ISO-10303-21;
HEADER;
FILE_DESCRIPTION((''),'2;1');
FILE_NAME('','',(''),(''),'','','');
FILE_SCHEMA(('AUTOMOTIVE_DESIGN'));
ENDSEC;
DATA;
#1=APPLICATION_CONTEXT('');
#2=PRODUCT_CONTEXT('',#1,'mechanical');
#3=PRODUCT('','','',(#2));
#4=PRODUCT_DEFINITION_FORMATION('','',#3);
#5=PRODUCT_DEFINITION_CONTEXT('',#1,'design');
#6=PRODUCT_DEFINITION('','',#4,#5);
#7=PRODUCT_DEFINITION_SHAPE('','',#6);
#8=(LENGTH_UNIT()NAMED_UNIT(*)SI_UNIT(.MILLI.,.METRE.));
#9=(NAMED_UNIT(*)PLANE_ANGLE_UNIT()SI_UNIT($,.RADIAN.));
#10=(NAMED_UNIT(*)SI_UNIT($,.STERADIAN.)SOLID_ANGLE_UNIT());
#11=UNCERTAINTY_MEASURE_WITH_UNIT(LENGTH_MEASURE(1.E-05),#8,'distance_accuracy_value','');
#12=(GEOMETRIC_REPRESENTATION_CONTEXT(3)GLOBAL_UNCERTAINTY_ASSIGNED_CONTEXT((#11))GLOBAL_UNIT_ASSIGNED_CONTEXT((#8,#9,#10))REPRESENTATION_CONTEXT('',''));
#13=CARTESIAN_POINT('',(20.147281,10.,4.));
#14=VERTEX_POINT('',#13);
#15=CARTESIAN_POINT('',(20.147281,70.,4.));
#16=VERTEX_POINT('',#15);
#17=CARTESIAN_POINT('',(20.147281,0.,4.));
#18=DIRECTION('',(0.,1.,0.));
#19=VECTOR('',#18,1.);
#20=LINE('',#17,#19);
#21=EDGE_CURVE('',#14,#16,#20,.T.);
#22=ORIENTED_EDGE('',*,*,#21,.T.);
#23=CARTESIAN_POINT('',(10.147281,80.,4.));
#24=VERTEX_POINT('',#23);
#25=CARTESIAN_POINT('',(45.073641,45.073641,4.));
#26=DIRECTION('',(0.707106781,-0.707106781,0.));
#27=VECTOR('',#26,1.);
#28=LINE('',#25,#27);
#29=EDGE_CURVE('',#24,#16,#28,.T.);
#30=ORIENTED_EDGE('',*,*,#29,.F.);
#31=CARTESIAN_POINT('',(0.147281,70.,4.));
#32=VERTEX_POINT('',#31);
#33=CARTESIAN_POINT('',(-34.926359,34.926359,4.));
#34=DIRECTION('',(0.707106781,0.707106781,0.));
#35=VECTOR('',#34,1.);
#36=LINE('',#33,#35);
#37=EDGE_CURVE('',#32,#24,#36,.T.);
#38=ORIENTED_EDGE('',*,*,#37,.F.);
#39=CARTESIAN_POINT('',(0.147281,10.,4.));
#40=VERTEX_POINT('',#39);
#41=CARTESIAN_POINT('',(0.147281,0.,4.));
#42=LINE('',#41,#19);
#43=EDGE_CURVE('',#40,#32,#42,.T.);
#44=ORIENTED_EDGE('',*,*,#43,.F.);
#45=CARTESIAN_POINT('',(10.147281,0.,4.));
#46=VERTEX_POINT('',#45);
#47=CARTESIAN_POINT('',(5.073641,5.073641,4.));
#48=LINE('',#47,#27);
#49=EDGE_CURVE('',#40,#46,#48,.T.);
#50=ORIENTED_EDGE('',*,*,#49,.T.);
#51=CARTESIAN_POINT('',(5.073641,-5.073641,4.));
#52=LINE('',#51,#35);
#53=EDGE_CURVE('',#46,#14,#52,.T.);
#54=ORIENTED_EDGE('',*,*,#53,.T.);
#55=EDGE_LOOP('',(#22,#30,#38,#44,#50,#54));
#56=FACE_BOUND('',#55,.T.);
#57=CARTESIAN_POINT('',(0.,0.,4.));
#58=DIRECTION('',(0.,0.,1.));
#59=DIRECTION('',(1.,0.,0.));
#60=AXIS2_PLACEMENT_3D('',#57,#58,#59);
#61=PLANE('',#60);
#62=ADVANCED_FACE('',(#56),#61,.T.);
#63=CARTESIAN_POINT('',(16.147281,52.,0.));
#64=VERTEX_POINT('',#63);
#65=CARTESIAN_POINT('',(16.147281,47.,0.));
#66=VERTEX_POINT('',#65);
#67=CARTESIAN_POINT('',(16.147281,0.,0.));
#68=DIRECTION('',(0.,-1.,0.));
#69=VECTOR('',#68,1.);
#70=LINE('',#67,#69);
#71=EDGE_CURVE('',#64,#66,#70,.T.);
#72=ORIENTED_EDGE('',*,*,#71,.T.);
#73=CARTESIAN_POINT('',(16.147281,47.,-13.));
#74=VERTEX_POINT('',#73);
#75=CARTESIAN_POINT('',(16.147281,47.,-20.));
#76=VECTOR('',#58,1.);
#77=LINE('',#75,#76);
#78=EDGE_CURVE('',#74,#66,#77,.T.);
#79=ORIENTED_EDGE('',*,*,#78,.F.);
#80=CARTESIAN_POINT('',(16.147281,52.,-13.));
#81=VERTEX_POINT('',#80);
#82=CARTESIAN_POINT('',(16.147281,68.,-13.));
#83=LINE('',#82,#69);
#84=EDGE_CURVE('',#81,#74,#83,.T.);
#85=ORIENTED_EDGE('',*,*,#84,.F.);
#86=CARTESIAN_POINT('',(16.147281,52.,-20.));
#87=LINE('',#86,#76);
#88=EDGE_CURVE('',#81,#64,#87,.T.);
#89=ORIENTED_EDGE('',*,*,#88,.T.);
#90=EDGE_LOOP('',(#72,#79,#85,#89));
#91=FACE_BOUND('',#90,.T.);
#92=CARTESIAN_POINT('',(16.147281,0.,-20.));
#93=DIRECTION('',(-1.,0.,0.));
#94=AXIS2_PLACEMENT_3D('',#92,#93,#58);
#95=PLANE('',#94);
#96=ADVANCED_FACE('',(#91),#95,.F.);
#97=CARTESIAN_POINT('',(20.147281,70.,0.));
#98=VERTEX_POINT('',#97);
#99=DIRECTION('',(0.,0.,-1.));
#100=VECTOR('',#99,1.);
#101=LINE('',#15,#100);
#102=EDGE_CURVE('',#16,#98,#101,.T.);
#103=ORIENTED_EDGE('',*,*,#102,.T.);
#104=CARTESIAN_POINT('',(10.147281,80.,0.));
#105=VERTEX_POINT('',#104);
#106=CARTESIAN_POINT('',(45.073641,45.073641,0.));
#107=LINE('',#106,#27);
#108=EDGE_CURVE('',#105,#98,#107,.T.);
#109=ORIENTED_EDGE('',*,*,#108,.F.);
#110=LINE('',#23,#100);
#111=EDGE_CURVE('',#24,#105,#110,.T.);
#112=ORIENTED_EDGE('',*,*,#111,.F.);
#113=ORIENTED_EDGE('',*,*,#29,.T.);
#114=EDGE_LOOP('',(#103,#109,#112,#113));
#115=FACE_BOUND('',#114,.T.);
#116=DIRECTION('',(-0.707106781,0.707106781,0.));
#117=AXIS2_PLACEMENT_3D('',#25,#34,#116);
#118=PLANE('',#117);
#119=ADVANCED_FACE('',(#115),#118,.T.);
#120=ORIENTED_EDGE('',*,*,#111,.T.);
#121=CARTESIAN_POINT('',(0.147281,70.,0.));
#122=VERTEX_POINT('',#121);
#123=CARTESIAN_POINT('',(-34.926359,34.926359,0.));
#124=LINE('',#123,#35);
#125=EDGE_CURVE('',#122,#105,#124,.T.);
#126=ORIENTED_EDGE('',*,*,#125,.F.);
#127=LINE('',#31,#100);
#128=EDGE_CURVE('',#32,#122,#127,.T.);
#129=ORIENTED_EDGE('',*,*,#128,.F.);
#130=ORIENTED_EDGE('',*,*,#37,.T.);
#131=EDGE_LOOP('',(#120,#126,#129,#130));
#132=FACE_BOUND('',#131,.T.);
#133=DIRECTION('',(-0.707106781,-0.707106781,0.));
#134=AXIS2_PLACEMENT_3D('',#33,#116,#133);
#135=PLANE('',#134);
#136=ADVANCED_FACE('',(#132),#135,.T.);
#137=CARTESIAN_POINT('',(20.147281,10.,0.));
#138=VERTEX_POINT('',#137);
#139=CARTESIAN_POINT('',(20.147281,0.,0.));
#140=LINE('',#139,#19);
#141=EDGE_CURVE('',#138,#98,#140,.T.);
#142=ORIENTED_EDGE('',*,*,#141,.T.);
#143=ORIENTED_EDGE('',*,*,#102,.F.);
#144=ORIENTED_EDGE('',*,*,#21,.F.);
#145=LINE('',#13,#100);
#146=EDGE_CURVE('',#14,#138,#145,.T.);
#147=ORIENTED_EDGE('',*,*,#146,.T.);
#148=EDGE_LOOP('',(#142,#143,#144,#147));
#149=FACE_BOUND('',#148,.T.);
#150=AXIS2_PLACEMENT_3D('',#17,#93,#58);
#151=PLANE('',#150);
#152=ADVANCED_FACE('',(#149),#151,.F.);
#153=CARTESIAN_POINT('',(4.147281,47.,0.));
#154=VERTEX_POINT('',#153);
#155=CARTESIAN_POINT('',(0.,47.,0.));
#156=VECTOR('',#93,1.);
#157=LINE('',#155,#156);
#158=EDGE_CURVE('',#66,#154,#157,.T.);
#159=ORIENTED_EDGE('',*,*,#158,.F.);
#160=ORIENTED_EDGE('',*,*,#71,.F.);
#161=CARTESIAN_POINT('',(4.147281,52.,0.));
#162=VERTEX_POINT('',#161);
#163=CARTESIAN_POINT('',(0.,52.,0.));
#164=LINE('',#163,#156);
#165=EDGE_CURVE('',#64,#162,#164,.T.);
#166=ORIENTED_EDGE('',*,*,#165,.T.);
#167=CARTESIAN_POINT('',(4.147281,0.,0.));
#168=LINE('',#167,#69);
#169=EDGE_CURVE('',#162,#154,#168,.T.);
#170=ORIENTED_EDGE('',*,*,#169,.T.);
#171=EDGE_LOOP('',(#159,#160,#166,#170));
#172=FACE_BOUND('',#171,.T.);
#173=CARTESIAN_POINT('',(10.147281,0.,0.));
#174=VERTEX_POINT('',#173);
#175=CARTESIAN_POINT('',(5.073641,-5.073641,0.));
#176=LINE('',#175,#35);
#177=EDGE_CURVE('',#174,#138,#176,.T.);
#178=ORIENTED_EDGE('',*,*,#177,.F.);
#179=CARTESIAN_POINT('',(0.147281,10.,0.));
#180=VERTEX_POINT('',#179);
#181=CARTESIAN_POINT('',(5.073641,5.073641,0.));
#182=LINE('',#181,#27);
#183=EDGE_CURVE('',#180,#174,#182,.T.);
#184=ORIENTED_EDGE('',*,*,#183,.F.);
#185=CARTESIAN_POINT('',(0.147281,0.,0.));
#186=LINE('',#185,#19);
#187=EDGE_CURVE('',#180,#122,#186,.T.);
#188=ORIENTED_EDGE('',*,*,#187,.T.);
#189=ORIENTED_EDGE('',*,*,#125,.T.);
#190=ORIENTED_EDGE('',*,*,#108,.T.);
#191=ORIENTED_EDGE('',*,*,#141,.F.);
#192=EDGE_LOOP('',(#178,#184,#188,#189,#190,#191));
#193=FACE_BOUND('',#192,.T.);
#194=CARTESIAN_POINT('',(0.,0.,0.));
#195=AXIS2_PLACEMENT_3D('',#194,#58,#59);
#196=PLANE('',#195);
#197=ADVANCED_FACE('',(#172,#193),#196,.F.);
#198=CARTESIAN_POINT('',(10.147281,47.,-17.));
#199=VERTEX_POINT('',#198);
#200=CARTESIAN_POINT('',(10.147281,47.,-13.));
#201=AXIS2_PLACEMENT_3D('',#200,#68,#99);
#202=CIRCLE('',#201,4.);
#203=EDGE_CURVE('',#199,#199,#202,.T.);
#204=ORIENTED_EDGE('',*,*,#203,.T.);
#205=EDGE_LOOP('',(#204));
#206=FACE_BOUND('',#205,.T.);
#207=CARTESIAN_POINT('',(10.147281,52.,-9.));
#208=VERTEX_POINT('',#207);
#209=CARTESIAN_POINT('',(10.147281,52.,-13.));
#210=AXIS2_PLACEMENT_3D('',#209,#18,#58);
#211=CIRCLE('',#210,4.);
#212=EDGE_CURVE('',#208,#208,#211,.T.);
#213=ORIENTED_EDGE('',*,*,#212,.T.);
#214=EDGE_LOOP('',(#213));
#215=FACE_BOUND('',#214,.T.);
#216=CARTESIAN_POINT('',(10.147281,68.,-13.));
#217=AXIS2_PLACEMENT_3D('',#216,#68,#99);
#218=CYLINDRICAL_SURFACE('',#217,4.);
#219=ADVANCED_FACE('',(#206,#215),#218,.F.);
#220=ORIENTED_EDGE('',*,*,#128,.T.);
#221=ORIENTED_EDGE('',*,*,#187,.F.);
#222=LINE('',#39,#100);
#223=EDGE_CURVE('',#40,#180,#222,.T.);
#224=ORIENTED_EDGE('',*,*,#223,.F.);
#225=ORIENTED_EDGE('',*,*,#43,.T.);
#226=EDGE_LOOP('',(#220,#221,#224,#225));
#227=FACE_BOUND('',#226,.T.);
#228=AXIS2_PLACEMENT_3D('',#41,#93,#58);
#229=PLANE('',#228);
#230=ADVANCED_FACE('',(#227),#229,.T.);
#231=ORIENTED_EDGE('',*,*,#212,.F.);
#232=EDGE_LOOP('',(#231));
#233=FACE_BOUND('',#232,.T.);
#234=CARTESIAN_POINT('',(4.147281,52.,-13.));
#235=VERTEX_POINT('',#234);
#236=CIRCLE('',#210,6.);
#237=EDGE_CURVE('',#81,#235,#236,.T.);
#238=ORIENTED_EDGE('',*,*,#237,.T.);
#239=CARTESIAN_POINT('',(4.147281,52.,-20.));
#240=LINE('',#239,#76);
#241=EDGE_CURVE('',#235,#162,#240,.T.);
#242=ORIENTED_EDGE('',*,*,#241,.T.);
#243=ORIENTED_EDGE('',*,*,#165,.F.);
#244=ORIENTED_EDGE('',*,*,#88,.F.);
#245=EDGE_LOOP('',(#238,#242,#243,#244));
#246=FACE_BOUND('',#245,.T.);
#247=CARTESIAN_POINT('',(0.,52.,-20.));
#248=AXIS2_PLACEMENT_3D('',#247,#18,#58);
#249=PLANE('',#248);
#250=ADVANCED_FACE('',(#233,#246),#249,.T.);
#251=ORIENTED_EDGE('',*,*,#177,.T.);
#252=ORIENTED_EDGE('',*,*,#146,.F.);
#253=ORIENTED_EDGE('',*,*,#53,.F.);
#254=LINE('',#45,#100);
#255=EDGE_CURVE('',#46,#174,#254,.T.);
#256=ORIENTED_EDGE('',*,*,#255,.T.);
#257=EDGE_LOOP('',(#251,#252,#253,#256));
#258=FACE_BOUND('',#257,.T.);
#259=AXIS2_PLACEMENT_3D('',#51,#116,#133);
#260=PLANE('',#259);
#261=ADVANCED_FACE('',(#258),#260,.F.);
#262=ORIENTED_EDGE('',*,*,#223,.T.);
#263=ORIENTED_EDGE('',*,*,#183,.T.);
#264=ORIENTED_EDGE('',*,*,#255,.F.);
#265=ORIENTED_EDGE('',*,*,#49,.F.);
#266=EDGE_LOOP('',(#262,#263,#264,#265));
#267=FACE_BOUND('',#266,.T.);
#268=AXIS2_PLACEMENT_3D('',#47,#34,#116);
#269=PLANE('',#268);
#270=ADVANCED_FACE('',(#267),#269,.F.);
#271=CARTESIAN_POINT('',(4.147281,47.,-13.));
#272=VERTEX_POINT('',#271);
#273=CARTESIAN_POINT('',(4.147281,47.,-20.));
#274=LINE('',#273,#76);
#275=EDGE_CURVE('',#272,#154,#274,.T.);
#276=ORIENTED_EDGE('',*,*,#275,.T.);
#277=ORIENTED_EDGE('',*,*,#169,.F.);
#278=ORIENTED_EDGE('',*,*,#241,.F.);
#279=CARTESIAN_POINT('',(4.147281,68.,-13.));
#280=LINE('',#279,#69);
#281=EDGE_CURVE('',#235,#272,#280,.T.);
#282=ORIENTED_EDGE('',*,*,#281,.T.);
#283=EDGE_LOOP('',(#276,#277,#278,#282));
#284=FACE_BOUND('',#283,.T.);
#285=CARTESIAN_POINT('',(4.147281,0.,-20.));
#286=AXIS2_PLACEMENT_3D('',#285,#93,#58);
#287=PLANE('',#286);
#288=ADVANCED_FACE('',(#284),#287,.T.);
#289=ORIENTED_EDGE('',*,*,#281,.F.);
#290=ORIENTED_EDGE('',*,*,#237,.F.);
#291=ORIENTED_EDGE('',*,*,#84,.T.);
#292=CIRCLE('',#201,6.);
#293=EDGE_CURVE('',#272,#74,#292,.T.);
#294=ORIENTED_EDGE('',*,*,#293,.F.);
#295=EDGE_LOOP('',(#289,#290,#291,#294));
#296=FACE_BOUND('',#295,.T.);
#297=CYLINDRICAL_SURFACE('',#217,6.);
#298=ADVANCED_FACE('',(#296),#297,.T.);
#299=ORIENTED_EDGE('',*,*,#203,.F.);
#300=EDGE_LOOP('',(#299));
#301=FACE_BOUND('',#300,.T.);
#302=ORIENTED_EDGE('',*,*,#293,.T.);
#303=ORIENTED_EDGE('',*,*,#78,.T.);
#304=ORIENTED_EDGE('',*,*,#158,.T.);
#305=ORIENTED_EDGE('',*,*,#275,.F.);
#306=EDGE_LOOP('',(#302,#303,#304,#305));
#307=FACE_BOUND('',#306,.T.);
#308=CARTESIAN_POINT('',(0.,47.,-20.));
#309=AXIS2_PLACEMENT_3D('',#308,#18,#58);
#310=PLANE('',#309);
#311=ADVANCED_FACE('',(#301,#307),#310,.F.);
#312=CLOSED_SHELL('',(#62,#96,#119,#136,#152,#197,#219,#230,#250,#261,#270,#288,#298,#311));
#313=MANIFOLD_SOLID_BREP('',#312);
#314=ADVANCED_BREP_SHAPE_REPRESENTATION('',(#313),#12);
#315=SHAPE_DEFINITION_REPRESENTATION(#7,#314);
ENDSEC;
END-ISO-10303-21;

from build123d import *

# Parameters (mm, degrees)
EXTRUDE_1_DEPTH     = 4
SKETCH_2_W          = 12
SKETCH_2_H          = 5
EXTRUDE_2_DEPTH     = 20
SKETCH_6_R          = 4
CUT_EXTRUDE_5_DEPTH = 21


with BuildPart() as part:
    # 草图1 → 凸台-拉伸1 (new body)
    with BuildSketch(Plane.XY):
        Polygon((0.147281285, 10), (0.147281285, 70), (10.147281285, 80), (20.147281285, 70), (20.147281285, 10), (10.147281285, 0), align=None)
    extrude(amount=EXTRUDE_1_DEPTH)

    # 草图2 → 凸台-拉伸2 (add)
    with BuildSketch(Plane(origin=(0, 0, 0), x_dir=(-1, 0, 0), z_dir=(0, 0, -1))):
        with Locations((-10.147281285, 49.5)):
            Rectangle(SKETCH_2_W, SKETCH_2_H)
    extrude(amount=EXTRUDE_2_DEPTH)

    # 草图6 → 切除-拉伸5 (cut)
    with BuildSketch(Plane.XZ.offset(-47)):
        with Locations(Location((10.147281285, -13, 0), (0, 0, 270))):
            Circle(SKETCH_6_R)
        with BuildLine():
            Line((16.147281285, -20), (16.147281285, -13))
            ThreePointArc((16.147281285, -13), (10.147281285, -19), (4.147281285, -13))
            Line((4.147281285, -13), (4.147281285, -20))
            Line((4.147281285, -20), (16.147281285, -20))
        make_face()
    extrude(amount=-CUT_EXTRUDE_5_DEPTH, mode=Mode.SUBTRACT)


solid = part.part
